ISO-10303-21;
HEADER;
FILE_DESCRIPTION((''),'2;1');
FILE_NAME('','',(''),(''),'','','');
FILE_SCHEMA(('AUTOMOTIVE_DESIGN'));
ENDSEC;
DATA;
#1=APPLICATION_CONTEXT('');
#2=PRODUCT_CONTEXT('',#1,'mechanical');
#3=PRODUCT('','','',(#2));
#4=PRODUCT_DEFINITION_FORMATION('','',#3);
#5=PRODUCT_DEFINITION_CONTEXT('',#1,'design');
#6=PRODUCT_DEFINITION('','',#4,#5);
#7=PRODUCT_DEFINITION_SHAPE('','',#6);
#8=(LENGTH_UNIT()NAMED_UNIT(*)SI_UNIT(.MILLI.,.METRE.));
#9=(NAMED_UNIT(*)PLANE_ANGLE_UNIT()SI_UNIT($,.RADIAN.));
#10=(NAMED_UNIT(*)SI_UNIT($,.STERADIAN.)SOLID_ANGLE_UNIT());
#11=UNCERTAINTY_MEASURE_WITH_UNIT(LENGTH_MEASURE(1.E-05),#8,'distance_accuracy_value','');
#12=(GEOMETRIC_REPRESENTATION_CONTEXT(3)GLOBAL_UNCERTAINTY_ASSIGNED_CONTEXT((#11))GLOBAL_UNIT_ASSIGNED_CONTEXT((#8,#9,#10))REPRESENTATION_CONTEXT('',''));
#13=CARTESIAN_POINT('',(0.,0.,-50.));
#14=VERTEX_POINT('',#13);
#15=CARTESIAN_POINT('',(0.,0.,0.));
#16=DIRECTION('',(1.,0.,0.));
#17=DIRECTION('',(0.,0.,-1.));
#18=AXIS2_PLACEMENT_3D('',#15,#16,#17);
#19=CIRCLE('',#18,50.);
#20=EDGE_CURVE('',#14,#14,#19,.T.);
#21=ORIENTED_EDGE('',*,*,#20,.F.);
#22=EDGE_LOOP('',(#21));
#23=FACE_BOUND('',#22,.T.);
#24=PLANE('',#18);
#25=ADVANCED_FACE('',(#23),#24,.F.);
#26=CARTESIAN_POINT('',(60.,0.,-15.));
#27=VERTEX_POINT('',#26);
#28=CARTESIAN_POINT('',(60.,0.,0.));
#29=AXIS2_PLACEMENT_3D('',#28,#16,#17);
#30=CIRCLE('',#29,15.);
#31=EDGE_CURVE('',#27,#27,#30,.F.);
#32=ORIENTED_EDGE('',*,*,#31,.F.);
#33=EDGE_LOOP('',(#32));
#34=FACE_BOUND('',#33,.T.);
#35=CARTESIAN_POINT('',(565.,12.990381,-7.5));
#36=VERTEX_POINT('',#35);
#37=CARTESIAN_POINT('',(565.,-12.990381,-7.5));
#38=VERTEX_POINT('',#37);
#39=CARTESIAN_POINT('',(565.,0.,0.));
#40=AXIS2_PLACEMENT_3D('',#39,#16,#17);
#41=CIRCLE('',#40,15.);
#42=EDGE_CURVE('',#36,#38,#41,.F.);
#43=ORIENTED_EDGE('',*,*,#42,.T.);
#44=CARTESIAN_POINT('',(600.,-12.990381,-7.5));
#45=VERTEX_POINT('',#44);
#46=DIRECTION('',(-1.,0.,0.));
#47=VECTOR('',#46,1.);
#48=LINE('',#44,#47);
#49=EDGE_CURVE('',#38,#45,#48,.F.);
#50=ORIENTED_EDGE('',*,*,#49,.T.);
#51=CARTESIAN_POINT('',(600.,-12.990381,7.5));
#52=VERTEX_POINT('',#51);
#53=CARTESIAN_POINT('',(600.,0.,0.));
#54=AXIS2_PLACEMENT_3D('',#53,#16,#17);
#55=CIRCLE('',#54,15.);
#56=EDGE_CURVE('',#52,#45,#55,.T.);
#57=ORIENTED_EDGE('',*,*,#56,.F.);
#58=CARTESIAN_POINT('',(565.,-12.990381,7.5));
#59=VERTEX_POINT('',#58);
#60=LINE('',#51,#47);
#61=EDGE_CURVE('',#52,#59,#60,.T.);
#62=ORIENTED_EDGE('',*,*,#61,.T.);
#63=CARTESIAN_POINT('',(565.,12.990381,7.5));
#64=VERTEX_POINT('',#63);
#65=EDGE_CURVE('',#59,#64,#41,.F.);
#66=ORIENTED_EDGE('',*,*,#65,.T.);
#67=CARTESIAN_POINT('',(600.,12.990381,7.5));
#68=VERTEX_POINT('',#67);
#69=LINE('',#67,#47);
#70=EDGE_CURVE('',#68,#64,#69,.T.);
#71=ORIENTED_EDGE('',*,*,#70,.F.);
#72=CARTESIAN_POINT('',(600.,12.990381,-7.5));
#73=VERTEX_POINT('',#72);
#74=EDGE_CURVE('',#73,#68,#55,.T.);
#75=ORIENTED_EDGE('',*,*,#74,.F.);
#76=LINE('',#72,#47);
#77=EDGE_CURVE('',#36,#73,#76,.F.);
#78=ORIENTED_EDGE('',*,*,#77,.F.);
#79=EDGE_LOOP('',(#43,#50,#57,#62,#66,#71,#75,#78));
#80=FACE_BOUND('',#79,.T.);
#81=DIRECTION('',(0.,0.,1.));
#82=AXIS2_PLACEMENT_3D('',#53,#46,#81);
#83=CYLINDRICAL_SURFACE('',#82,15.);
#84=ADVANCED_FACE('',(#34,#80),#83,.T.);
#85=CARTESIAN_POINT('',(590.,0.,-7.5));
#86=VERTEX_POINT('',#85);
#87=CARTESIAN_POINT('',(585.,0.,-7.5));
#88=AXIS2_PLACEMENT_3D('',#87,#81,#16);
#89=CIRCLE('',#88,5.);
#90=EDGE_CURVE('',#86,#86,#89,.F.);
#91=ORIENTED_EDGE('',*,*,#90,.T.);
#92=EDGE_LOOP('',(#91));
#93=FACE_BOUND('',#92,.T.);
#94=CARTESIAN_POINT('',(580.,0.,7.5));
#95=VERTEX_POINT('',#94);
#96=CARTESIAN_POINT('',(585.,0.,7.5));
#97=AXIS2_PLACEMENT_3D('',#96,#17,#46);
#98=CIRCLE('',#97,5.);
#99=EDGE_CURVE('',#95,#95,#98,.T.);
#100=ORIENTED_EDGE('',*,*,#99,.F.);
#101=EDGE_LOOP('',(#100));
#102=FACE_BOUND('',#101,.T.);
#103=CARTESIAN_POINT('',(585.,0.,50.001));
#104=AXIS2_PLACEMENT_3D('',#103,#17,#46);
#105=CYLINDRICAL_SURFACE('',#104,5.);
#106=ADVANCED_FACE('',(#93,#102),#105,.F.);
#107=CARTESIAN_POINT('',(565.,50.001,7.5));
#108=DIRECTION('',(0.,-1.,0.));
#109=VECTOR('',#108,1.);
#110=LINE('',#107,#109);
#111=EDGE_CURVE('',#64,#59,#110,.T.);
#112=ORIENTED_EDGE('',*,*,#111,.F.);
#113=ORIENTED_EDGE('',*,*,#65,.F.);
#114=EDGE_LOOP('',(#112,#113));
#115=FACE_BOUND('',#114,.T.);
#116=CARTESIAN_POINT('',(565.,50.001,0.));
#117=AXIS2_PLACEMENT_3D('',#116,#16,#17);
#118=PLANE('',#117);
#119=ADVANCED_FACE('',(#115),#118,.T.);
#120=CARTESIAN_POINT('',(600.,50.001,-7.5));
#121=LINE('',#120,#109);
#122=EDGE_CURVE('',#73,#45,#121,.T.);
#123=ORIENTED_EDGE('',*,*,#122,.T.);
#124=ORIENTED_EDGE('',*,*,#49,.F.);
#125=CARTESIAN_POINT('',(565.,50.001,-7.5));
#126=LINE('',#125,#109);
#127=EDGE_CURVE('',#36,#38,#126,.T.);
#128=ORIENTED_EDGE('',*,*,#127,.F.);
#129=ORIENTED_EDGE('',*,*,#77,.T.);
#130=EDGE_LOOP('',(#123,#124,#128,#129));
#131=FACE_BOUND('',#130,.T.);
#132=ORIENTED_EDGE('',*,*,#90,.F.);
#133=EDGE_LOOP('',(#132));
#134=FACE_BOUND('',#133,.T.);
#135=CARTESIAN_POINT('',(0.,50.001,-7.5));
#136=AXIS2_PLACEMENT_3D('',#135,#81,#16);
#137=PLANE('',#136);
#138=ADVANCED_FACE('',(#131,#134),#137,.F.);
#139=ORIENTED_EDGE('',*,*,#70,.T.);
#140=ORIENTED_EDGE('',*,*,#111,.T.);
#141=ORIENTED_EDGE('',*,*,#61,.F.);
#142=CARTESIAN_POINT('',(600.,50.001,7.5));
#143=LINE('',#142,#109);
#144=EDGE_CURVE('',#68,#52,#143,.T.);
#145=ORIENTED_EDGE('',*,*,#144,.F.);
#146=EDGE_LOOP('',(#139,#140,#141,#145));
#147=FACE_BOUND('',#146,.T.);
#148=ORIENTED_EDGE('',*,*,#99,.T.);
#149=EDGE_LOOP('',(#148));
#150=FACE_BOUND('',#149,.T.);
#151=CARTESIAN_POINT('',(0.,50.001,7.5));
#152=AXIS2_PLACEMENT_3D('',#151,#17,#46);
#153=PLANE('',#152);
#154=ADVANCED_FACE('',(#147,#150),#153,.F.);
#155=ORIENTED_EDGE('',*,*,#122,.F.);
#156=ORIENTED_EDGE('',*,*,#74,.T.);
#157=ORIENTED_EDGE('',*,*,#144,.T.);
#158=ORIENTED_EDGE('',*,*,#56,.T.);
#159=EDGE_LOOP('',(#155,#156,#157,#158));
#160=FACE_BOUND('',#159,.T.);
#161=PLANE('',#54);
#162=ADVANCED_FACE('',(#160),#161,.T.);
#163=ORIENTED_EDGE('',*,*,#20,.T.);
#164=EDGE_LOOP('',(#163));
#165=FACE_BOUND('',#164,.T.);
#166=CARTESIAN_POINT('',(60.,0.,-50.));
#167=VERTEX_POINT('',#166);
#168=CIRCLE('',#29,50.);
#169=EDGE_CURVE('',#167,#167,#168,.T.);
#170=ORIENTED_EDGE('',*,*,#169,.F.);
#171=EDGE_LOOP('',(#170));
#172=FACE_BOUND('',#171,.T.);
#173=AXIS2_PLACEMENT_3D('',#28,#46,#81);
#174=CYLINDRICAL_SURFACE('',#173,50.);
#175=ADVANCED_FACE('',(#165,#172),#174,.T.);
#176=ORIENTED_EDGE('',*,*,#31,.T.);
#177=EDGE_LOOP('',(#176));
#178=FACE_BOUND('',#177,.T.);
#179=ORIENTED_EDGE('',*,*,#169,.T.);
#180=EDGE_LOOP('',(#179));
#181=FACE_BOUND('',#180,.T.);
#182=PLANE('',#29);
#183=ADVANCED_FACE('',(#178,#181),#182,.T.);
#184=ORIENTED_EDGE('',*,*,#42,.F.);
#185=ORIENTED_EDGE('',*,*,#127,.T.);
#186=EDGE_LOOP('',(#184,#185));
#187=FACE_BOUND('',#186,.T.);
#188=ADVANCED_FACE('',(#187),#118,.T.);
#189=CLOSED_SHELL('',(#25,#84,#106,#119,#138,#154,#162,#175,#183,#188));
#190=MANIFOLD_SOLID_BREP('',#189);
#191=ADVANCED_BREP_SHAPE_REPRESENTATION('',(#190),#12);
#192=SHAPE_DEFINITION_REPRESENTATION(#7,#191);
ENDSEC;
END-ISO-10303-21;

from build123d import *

# Parameters (mm, degrees)
SKETCH1_R                           = 50
SKETCH1_R_2                         = 15
BOSS_EXTRUDE2_DEPTH                 = 60
SKETCH1_3_R                         = 15
BOSS_EXTRUDE3_DEPTH                 = 600
CUT_EXTRUDE1_REACH                  = 606.152
CUT_EXTRUDE1_END_RADIUS             = 15
SKETCH2_W                           = 35
SKETCH2_H                           = 7.5
CUT_EXTRUDE1_DIRECTION_2_REACH      = 606.152
CUT_EXTRUDE1_DIRECTION_2_END_RADIUS = 15
CUT_EXTRUDE2_REACH                  = 606.152
SKETCH3_R                           = 5
CUT_EXTRUDE2_DIRECTION_2_REACH      = 606.152


with BuildPart() as part:
    # Sketch1 → Boss-Extrude2 (new body)
    # profile 1 of 2: a face of its own
    with BuildSketch(Plane(origin=(0, 0, 0), x_dir=(0, 0, -1), z_dir=(1, 0, 0))):
        Circle(SKETCH1_R)
        Circle(SKETCH1_R_2, mode=Mode.SUBTRACT)
    # profile 2 of 2: a face of its own
    with BuildSketch(Plane(origin=(0, 0, 0), x_dir=(0, 0, -1), z_dir=(1, 0, 0))):
        Circle(SKETCH1_R_2)
    extrude(amount=BOSS_EXTRUDE2_DEPTH)

    # Sketch1<3> → Boss-Extrude3 (add)
    with BuildSketch(Plane(origin=(0, 0, 0), x_dir=(0, 0, -1), z_dir=(1, 0, 0))):
        Circle(SKETCH1_3_R)
    extrude(amount=BOSS_EXTRUDE3_DEPTH)

    # Cut-Extrude1: up to this cylinder (the profile starts inside it)
    cut_extrude1_end = Plane(origin=(582.5, 0, 0), z_dir=(-1, 0, 0)) * Cylinder(CUT_EXTRUDE1_END_RADIUS, 1243.304, mode=Mode.PRIVATE)
    # Sketch2 → Cut-Extrude1 (cut, up to the surface)
    with BuildSketch(Plane(origin=(0, 0, 0), x_dir=(1, 0, 0), z_dir=(0, 1, 0)), mode=Mode.PRIVATE) as cut_extrude1_sk1:
        with Locations((582.5, 11.25)):
            Rectangle(SKETCH2_W, SKETCH2_H)
    cut_extrude1_tool1 = extrude(cut_extrude1_sk1.sketch, amount=-CUT_EXTRUDE1_REACH, mode=Mode.PRIVATE) & cut_extrude1_end
    add(cut_extrude1_tool1.solids().sort_by_distance((582.5, 0, -11.25))[0], mode=Mode.SUBTRACT)
    # Sketch2 → Cut-Extrude1 (cut, up to the surface)
    with BuildSketch(Plane(origin=(0, 0, 0), x_dir=(1, 0, 0), z_dir=(0, 1, 0)), mode=Mode.PRIVATE) as cut_extrude1_sk2:
        with Locations((582.5, -11.25)):
            Rectangle(SKETCH2_W, SKETCH2_H)
    cut_extrude1_tool2 = extrude(cut_extrude1_sk2.sketch, amount=-CUT_EXTRUDE1_REACH, mode=Mode.PRIVATE) & cut_extrude1_end
    add(cut_extrude1_tool2.solids().sort_by_distance((582.5, 0, 11.25))[0], mode=Mode.SUBTRACT)

    # Cut-Extrude1 direction 2: up to this cylinder (the profile starts inside it)
    cut_extrude1_direction_2_end = Plane(origin=(582.5, 0, 0), z_dir=(-1, 0, 0)) * Cylinder(CUT_EXTRUDE1_DIRECTION_2_END_RADIUS, 1243.304, mode=Mode.PRIVATE)
    # Sketch2 → Cut-Extrude1 direction 2 (cut, up to the surface)
    with BuildSketch(Plane(origin=(0, 0, 0), x_dir=(1, 0, 0), z_dir=(0, 1, 0)), mode=Mode.PRIVATE) as cut_extrude1_direction_2_sk1:
        with Locations((582.5, 11.25)):
            Rectangle(SKETCH2_W, SKETCH2_H)
    cut_extrude1_direction_2_tool1 = extrude(cut_extrude1_direction_2_sk1.sketch, amount=CUT_EXTRUDE1_DIRECTION_2_REACH, mode=Mode.PRIVATE) & cut_extrude1_direction_2_end
    add(cut_extrude1_direction_2_tool1.solids().sort_by_distance((582.5, 0, -11.25))[0], mode=Mode.SUBTRACT)
    # Sketch2 → Cut-Extrude1 direction 2 (cut, up to the surface)
    with BuildSketch(Plane(origin=(0, 0, 0), x_dir=(1, 0, 0), z_dir=(0, 1, 0)), mode=Mode.PRIVATE) as cut_extrude1_direction_2_sk2:
        with Locations((582.5, -11.25)):
            Rectangle(SKETCH2_W, SKETCH2_H)
    cut_extrude1_direction_2_tool2 = extrude(cut_extrude1_direction_2_sk2.sketch, amount=CUT_EXTRUDE1_DIRECTION_2_REACH, mode=Mode.PRIVATE) & cut_extrude1_direction_2_end
    add(cut_extrude1_direction_2_tool2.solids().sort_by_distance((582.5, 0, 11.25))[0], mode=Mode.SUBTRACT)

    # Sketch3 → Cut-Extrude2 (cut, up to next)
    with BuildSketch(Plane.XY, mode=Mode.PRIVATE) as cut_extrude2_sk1:
        with Locations(Location((585, 0, 0), (0, 0, 180))):
            Circle(SKETCH3_R)
    cut_extrude2_tool1 = extrude(cut_extrude2_sk1.sketch, amount=-CUT_EXTRUDE2_REACH, mode=Mode.PRIVATE) & part.part
    add(cut_extrude2_tool1.solids().sort_by_distance((585, 0, 0))[0], mode=Mode.SUBTRACT)

    # Sketch3 → Cut-Extrude2 direction 2 (cut, up to next)
    with BuildSketch(Plane.XY, mode=Mode.PRIVATE) as cut_extrude2_direction_2_sk1:
        with Locations(Location((585, 0, 0), (0, 0, 180))):
            Circle(SKETCH3_R)
    cut_extrude2_direction_2_tool1 = extrude(cut_extrude2_direction_2_sk1.sketch, amount=CUT_EXTRUDE2_DIRECTION_2_REACH, mode=Mode.PRIVATE) & part.part
    add(cut_extrude2_direction_2_tool1.solids().sort_by_distance((585, 0, 0))[0], mode=Mode.SUBTRACT)


solid = part.part
